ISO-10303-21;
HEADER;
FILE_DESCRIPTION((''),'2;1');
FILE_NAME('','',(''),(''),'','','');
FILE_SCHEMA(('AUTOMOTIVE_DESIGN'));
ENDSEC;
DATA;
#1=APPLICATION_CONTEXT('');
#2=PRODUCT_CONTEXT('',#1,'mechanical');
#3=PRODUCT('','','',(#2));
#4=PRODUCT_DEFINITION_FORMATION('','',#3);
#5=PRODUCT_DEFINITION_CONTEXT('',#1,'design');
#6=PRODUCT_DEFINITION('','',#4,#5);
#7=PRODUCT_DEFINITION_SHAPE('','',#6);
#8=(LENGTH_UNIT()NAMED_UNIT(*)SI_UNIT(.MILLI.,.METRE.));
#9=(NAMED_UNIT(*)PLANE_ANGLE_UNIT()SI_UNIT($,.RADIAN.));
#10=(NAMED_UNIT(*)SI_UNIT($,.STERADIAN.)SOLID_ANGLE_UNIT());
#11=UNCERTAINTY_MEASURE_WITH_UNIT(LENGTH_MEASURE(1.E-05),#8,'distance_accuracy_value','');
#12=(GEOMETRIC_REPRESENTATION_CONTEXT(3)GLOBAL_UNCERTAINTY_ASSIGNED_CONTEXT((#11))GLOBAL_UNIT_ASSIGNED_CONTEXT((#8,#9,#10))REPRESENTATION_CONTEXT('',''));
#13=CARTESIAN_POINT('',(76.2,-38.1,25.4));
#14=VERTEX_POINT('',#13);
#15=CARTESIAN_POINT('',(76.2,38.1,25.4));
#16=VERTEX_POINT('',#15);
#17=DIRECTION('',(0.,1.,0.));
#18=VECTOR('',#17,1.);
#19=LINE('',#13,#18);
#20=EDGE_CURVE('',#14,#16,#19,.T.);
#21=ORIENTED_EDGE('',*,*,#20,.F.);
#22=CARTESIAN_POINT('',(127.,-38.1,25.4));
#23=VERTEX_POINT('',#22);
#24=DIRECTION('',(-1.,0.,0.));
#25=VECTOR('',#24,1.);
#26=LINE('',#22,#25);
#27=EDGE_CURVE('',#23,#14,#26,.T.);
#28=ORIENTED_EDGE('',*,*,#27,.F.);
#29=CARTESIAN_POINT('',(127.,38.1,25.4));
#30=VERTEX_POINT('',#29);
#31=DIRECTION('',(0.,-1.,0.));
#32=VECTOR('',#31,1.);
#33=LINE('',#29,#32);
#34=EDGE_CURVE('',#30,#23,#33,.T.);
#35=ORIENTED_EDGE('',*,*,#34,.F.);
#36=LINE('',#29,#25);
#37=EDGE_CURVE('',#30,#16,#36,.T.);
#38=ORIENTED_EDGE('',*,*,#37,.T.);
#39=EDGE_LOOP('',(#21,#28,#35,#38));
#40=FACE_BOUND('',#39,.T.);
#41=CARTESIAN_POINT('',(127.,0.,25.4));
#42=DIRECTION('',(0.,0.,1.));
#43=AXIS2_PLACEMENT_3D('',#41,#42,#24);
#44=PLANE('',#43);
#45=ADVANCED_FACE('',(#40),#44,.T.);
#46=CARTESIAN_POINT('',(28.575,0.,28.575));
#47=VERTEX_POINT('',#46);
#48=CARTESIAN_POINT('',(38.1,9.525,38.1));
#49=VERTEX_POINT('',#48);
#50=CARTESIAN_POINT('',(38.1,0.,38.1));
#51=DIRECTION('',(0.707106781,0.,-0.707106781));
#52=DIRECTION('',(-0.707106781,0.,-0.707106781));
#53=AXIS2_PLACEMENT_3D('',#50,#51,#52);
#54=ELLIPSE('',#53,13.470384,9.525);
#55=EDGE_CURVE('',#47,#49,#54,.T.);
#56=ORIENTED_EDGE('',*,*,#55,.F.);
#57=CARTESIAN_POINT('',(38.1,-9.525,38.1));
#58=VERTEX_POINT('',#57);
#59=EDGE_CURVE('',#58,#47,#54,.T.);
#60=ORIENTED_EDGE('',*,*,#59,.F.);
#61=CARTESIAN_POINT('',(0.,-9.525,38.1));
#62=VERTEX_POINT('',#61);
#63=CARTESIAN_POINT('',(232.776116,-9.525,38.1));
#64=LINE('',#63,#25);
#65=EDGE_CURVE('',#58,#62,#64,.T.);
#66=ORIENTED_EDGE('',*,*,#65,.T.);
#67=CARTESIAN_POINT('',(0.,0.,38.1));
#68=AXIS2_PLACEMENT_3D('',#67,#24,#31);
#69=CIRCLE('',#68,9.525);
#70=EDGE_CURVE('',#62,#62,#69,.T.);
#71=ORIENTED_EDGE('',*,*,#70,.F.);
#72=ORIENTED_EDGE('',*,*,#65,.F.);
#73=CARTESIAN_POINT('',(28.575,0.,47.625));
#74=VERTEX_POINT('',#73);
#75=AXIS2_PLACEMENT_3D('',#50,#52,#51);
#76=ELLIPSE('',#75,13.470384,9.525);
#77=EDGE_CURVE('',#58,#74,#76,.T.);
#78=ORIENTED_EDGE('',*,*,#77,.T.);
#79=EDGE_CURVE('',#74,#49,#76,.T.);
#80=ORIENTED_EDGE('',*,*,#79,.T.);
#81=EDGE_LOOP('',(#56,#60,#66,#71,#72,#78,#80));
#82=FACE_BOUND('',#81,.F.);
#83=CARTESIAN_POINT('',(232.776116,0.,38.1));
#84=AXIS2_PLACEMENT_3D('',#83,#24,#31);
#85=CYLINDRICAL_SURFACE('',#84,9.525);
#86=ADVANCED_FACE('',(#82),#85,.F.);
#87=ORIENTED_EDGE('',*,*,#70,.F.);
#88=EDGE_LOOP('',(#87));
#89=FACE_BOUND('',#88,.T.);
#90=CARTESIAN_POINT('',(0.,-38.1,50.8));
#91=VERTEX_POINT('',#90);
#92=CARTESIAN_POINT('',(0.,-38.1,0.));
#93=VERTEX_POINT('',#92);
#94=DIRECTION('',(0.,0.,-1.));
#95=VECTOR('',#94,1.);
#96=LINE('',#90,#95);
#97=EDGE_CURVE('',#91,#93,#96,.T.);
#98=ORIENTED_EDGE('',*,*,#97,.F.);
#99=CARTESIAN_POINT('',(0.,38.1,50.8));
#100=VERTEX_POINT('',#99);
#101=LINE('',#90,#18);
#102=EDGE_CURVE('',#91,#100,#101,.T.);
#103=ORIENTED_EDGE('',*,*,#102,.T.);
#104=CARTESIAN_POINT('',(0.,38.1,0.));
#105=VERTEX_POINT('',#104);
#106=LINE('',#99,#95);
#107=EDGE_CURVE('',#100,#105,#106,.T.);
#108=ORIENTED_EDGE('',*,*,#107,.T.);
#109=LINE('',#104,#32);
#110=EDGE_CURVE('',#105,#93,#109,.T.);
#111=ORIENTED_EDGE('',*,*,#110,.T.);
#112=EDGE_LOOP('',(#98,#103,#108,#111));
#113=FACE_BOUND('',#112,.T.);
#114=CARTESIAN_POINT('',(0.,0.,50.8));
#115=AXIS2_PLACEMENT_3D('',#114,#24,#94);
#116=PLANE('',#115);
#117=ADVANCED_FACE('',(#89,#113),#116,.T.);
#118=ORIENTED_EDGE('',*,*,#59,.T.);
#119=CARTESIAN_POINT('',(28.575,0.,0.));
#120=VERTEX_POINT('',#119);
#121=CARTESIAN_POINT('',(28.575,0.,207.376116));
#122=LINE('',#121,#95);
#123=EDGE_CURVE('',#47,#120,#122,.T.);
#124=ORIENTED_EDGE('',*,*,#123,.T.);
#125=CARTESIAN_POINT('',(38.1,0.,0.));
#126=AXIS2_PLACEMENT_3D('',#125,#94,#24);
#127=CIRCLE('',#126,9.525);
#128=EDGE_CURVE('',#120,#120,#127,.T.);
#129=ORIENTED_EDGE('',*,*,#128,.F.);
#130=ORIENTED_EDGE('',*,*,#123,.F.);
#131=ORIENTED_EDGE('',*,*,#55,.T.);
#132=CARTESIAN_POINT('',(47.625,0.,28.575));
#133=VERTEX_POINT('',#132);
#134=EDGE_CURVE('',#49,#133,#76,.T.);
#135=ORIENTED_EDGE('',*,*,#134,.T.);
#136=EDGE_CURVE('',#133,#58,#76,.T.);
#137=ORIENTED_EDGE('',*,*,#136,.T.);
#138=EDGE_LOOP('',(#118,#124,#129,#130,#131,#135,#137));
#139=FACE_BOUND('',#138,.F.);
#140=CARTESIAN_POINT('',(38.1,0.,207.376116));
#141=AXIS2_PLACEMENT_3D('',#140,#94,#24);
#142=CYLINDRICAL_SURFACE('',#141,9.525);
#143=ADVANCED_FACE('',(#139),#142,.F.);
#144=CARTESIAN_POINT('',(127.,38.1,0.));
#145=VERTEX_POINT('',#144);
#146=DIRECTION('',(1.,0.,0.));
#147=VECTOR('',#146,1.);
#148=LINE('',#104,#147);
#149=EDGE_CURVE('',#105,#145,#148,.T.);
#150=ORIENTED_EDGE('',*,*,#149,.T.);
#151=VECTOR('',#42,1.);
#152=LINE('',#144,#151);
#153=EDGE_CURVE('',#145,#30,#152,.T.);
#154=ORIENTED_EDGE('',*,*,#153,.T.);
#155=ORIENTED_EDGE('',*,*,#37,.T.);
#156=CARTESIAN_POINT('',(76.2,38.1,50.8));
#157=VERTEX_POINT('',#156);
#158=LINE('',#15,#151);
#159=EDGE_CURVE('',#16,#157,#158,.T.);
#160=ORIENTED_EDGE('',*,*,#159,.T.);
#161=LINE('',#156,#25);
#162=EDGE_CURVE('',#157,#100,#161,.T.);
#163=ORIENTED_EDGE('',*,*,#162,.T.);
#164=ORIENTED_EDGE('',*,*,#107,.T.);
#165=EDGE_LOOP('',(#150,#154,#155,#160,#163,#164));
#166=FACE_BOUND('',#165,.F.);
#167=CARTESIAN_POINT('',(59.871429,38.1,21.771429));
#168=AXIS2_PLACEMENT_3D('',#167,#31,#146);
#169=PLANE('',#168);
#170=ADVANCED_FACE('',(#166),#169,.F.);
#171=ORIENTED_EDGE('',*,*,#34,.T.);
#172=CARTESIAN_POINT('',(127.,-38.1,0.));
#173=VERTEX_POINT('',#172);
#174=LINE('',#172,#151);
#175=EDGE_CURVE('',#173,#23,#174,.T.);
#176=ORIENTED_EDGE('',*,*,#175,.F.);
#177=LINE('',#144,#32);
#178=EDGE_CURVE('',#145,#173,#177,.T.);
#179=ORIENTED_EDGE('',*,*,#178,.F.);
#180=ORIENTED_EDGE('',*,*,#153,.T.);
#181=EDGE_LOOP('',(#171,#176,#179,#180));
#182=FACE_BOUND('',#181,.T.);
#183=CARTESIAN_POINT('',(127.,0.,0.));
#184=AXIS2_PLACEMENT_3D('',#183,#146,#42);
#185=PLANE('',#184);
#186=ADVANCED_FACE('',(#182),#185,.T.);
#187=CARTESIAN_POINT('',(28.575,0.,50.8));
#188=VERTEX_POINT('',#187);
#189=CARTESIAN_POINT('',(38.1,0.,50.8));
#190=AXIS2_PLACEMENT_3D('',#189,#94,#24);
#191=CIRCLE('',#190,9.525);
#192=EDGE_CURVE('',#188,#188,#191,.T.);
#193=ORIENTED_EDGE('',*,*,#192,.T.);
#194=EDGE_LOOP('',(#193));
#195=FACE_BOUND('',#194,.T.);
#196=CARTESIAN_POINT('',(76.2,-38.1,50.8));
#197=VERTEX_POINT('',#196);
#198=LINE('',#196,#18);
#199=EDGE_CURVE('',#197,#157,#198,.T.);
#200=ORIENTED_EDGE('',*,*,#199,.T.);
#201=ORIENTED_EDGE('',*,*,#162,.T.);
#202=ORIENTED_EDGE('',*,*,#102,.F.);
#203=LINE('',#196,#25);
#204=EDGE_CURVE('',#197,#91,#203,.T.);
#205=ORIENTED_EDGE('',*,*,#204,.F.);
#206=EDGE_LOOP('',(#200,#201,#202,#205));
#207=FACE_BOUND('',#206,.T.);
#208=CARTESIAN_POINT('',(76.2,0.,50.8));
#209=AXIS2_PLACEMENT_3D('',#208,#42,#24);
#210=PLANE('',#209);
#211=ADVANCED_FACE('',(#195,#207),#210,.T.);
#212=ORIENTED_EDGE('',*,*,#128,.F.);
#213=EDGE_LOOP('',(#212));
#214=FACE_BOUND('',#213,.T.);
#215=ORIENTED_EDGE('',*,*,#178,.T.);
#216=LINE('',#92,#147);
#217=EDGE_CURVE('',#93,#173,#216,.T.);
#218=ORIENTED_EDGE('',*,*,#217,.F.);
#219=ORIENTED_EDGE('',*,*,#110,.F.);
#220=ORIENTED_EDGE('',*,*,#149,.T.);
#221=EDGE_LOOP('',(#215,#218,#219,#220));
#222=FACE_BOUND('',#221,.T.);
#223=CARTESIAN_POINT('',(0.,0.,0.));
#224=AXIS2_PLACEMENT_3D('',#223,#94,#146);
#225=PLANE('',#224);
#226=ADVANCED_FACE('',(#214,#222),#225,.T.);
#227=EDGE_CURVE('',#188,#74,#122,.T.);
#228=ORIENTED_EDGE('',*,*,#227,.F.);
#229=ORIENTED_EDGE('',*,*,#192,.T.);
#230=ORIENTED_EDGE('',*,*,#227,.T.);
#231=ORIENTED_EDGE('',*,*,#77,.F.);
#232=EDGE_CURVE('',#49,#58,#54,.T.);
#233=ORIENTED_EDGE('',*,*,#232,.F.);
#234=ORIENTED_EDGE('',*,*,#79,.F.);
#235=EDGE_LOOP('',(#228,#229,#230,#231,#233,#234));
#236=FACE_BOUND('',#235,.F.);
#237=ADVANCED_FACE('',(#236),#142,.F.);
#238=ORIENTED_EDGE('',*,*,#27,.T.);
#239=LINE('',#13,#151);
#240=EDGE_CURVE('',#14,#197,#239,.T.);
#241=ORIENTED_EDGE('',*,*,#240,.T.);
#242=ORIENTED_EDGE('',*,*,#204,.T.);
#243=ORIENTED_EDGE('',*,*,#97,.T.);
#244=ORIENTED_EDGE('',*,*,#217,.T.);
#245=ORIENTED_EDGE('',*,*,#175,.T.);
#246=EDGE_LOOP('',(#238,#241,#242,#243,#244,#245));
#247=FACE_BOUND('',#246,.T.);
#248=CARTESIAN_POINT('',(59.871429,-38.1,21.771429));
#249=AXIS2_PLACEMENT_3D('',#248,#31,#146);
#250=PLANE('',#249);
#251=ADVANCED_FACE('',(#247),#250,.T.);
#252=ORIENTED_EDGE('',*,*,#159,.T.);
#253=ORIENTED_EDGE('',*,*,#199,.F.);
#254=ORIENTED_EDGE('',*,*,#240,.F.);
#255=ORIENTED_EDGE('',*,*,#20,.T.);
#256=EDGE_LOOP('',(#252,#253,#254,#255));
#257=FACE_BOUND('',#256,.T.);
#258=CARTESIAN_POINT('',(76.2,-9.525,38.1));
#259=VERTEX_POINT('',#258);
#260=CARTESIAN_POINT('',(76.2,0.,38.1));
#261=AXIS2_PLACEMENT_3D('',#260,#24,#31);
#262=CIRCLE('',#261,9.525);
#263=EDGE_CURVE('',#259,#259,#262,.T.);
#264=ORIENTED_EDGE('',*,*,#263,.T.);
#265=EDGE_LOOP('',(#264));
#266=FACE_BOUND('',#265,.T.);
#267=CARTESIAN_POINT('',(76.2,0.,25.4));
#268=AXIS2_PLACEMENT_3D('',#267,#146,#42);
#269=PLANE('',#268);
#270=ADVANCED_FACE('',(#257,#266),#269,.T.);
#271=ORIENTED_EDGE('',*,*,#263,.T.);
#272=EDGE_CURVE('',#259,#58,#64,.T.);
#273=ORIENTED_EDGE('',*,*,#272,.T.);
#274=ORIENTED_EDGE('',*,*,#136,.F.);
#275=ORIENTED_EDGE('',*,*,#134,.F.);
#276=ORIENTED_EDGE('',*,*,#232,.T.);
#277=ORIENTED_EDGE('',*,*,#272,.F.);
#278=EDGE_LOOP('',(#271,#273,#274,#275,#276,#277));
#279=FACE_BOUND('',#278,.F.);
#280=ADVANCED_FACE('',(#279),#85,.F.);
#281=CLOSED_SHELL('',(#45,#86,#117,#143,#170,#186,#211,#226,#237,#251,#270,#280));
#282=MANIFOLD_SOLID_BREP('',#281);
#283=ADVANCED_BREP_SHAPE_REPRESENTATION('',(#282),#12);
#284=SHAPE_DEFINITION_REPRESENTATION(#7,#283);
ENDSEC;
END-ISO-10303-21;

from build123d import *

# Parameters (mm, degrees)
F1_DEPTH = 38.1
F3_D     = 19.05
F5_D     = 19.05


with BuildPart() as f1:
    # F0 (on Front) → F1 (new body, symmetric)
    with BuildSketch(Plane.XZ):
        Polygon((0, 50.8), (0, 0), (127, 0), (127, 25.4), (76.2, 25.4), (76.2, 50.8), align=None)
    extrude(amount=F1_DEPTH, both=True)

    # F3 (through all)
    with Locations(Plane.XY.offset(50.8)):
        with Locations((38.1, 0)):
            Hole(F3_D / 2)

    # F5 (through all)
    with Locations(Plane.YZ.offset(76.2)):
        with Locations((0, 38.1)):
            Hole(F5_D / 2)


solid = f1.part
